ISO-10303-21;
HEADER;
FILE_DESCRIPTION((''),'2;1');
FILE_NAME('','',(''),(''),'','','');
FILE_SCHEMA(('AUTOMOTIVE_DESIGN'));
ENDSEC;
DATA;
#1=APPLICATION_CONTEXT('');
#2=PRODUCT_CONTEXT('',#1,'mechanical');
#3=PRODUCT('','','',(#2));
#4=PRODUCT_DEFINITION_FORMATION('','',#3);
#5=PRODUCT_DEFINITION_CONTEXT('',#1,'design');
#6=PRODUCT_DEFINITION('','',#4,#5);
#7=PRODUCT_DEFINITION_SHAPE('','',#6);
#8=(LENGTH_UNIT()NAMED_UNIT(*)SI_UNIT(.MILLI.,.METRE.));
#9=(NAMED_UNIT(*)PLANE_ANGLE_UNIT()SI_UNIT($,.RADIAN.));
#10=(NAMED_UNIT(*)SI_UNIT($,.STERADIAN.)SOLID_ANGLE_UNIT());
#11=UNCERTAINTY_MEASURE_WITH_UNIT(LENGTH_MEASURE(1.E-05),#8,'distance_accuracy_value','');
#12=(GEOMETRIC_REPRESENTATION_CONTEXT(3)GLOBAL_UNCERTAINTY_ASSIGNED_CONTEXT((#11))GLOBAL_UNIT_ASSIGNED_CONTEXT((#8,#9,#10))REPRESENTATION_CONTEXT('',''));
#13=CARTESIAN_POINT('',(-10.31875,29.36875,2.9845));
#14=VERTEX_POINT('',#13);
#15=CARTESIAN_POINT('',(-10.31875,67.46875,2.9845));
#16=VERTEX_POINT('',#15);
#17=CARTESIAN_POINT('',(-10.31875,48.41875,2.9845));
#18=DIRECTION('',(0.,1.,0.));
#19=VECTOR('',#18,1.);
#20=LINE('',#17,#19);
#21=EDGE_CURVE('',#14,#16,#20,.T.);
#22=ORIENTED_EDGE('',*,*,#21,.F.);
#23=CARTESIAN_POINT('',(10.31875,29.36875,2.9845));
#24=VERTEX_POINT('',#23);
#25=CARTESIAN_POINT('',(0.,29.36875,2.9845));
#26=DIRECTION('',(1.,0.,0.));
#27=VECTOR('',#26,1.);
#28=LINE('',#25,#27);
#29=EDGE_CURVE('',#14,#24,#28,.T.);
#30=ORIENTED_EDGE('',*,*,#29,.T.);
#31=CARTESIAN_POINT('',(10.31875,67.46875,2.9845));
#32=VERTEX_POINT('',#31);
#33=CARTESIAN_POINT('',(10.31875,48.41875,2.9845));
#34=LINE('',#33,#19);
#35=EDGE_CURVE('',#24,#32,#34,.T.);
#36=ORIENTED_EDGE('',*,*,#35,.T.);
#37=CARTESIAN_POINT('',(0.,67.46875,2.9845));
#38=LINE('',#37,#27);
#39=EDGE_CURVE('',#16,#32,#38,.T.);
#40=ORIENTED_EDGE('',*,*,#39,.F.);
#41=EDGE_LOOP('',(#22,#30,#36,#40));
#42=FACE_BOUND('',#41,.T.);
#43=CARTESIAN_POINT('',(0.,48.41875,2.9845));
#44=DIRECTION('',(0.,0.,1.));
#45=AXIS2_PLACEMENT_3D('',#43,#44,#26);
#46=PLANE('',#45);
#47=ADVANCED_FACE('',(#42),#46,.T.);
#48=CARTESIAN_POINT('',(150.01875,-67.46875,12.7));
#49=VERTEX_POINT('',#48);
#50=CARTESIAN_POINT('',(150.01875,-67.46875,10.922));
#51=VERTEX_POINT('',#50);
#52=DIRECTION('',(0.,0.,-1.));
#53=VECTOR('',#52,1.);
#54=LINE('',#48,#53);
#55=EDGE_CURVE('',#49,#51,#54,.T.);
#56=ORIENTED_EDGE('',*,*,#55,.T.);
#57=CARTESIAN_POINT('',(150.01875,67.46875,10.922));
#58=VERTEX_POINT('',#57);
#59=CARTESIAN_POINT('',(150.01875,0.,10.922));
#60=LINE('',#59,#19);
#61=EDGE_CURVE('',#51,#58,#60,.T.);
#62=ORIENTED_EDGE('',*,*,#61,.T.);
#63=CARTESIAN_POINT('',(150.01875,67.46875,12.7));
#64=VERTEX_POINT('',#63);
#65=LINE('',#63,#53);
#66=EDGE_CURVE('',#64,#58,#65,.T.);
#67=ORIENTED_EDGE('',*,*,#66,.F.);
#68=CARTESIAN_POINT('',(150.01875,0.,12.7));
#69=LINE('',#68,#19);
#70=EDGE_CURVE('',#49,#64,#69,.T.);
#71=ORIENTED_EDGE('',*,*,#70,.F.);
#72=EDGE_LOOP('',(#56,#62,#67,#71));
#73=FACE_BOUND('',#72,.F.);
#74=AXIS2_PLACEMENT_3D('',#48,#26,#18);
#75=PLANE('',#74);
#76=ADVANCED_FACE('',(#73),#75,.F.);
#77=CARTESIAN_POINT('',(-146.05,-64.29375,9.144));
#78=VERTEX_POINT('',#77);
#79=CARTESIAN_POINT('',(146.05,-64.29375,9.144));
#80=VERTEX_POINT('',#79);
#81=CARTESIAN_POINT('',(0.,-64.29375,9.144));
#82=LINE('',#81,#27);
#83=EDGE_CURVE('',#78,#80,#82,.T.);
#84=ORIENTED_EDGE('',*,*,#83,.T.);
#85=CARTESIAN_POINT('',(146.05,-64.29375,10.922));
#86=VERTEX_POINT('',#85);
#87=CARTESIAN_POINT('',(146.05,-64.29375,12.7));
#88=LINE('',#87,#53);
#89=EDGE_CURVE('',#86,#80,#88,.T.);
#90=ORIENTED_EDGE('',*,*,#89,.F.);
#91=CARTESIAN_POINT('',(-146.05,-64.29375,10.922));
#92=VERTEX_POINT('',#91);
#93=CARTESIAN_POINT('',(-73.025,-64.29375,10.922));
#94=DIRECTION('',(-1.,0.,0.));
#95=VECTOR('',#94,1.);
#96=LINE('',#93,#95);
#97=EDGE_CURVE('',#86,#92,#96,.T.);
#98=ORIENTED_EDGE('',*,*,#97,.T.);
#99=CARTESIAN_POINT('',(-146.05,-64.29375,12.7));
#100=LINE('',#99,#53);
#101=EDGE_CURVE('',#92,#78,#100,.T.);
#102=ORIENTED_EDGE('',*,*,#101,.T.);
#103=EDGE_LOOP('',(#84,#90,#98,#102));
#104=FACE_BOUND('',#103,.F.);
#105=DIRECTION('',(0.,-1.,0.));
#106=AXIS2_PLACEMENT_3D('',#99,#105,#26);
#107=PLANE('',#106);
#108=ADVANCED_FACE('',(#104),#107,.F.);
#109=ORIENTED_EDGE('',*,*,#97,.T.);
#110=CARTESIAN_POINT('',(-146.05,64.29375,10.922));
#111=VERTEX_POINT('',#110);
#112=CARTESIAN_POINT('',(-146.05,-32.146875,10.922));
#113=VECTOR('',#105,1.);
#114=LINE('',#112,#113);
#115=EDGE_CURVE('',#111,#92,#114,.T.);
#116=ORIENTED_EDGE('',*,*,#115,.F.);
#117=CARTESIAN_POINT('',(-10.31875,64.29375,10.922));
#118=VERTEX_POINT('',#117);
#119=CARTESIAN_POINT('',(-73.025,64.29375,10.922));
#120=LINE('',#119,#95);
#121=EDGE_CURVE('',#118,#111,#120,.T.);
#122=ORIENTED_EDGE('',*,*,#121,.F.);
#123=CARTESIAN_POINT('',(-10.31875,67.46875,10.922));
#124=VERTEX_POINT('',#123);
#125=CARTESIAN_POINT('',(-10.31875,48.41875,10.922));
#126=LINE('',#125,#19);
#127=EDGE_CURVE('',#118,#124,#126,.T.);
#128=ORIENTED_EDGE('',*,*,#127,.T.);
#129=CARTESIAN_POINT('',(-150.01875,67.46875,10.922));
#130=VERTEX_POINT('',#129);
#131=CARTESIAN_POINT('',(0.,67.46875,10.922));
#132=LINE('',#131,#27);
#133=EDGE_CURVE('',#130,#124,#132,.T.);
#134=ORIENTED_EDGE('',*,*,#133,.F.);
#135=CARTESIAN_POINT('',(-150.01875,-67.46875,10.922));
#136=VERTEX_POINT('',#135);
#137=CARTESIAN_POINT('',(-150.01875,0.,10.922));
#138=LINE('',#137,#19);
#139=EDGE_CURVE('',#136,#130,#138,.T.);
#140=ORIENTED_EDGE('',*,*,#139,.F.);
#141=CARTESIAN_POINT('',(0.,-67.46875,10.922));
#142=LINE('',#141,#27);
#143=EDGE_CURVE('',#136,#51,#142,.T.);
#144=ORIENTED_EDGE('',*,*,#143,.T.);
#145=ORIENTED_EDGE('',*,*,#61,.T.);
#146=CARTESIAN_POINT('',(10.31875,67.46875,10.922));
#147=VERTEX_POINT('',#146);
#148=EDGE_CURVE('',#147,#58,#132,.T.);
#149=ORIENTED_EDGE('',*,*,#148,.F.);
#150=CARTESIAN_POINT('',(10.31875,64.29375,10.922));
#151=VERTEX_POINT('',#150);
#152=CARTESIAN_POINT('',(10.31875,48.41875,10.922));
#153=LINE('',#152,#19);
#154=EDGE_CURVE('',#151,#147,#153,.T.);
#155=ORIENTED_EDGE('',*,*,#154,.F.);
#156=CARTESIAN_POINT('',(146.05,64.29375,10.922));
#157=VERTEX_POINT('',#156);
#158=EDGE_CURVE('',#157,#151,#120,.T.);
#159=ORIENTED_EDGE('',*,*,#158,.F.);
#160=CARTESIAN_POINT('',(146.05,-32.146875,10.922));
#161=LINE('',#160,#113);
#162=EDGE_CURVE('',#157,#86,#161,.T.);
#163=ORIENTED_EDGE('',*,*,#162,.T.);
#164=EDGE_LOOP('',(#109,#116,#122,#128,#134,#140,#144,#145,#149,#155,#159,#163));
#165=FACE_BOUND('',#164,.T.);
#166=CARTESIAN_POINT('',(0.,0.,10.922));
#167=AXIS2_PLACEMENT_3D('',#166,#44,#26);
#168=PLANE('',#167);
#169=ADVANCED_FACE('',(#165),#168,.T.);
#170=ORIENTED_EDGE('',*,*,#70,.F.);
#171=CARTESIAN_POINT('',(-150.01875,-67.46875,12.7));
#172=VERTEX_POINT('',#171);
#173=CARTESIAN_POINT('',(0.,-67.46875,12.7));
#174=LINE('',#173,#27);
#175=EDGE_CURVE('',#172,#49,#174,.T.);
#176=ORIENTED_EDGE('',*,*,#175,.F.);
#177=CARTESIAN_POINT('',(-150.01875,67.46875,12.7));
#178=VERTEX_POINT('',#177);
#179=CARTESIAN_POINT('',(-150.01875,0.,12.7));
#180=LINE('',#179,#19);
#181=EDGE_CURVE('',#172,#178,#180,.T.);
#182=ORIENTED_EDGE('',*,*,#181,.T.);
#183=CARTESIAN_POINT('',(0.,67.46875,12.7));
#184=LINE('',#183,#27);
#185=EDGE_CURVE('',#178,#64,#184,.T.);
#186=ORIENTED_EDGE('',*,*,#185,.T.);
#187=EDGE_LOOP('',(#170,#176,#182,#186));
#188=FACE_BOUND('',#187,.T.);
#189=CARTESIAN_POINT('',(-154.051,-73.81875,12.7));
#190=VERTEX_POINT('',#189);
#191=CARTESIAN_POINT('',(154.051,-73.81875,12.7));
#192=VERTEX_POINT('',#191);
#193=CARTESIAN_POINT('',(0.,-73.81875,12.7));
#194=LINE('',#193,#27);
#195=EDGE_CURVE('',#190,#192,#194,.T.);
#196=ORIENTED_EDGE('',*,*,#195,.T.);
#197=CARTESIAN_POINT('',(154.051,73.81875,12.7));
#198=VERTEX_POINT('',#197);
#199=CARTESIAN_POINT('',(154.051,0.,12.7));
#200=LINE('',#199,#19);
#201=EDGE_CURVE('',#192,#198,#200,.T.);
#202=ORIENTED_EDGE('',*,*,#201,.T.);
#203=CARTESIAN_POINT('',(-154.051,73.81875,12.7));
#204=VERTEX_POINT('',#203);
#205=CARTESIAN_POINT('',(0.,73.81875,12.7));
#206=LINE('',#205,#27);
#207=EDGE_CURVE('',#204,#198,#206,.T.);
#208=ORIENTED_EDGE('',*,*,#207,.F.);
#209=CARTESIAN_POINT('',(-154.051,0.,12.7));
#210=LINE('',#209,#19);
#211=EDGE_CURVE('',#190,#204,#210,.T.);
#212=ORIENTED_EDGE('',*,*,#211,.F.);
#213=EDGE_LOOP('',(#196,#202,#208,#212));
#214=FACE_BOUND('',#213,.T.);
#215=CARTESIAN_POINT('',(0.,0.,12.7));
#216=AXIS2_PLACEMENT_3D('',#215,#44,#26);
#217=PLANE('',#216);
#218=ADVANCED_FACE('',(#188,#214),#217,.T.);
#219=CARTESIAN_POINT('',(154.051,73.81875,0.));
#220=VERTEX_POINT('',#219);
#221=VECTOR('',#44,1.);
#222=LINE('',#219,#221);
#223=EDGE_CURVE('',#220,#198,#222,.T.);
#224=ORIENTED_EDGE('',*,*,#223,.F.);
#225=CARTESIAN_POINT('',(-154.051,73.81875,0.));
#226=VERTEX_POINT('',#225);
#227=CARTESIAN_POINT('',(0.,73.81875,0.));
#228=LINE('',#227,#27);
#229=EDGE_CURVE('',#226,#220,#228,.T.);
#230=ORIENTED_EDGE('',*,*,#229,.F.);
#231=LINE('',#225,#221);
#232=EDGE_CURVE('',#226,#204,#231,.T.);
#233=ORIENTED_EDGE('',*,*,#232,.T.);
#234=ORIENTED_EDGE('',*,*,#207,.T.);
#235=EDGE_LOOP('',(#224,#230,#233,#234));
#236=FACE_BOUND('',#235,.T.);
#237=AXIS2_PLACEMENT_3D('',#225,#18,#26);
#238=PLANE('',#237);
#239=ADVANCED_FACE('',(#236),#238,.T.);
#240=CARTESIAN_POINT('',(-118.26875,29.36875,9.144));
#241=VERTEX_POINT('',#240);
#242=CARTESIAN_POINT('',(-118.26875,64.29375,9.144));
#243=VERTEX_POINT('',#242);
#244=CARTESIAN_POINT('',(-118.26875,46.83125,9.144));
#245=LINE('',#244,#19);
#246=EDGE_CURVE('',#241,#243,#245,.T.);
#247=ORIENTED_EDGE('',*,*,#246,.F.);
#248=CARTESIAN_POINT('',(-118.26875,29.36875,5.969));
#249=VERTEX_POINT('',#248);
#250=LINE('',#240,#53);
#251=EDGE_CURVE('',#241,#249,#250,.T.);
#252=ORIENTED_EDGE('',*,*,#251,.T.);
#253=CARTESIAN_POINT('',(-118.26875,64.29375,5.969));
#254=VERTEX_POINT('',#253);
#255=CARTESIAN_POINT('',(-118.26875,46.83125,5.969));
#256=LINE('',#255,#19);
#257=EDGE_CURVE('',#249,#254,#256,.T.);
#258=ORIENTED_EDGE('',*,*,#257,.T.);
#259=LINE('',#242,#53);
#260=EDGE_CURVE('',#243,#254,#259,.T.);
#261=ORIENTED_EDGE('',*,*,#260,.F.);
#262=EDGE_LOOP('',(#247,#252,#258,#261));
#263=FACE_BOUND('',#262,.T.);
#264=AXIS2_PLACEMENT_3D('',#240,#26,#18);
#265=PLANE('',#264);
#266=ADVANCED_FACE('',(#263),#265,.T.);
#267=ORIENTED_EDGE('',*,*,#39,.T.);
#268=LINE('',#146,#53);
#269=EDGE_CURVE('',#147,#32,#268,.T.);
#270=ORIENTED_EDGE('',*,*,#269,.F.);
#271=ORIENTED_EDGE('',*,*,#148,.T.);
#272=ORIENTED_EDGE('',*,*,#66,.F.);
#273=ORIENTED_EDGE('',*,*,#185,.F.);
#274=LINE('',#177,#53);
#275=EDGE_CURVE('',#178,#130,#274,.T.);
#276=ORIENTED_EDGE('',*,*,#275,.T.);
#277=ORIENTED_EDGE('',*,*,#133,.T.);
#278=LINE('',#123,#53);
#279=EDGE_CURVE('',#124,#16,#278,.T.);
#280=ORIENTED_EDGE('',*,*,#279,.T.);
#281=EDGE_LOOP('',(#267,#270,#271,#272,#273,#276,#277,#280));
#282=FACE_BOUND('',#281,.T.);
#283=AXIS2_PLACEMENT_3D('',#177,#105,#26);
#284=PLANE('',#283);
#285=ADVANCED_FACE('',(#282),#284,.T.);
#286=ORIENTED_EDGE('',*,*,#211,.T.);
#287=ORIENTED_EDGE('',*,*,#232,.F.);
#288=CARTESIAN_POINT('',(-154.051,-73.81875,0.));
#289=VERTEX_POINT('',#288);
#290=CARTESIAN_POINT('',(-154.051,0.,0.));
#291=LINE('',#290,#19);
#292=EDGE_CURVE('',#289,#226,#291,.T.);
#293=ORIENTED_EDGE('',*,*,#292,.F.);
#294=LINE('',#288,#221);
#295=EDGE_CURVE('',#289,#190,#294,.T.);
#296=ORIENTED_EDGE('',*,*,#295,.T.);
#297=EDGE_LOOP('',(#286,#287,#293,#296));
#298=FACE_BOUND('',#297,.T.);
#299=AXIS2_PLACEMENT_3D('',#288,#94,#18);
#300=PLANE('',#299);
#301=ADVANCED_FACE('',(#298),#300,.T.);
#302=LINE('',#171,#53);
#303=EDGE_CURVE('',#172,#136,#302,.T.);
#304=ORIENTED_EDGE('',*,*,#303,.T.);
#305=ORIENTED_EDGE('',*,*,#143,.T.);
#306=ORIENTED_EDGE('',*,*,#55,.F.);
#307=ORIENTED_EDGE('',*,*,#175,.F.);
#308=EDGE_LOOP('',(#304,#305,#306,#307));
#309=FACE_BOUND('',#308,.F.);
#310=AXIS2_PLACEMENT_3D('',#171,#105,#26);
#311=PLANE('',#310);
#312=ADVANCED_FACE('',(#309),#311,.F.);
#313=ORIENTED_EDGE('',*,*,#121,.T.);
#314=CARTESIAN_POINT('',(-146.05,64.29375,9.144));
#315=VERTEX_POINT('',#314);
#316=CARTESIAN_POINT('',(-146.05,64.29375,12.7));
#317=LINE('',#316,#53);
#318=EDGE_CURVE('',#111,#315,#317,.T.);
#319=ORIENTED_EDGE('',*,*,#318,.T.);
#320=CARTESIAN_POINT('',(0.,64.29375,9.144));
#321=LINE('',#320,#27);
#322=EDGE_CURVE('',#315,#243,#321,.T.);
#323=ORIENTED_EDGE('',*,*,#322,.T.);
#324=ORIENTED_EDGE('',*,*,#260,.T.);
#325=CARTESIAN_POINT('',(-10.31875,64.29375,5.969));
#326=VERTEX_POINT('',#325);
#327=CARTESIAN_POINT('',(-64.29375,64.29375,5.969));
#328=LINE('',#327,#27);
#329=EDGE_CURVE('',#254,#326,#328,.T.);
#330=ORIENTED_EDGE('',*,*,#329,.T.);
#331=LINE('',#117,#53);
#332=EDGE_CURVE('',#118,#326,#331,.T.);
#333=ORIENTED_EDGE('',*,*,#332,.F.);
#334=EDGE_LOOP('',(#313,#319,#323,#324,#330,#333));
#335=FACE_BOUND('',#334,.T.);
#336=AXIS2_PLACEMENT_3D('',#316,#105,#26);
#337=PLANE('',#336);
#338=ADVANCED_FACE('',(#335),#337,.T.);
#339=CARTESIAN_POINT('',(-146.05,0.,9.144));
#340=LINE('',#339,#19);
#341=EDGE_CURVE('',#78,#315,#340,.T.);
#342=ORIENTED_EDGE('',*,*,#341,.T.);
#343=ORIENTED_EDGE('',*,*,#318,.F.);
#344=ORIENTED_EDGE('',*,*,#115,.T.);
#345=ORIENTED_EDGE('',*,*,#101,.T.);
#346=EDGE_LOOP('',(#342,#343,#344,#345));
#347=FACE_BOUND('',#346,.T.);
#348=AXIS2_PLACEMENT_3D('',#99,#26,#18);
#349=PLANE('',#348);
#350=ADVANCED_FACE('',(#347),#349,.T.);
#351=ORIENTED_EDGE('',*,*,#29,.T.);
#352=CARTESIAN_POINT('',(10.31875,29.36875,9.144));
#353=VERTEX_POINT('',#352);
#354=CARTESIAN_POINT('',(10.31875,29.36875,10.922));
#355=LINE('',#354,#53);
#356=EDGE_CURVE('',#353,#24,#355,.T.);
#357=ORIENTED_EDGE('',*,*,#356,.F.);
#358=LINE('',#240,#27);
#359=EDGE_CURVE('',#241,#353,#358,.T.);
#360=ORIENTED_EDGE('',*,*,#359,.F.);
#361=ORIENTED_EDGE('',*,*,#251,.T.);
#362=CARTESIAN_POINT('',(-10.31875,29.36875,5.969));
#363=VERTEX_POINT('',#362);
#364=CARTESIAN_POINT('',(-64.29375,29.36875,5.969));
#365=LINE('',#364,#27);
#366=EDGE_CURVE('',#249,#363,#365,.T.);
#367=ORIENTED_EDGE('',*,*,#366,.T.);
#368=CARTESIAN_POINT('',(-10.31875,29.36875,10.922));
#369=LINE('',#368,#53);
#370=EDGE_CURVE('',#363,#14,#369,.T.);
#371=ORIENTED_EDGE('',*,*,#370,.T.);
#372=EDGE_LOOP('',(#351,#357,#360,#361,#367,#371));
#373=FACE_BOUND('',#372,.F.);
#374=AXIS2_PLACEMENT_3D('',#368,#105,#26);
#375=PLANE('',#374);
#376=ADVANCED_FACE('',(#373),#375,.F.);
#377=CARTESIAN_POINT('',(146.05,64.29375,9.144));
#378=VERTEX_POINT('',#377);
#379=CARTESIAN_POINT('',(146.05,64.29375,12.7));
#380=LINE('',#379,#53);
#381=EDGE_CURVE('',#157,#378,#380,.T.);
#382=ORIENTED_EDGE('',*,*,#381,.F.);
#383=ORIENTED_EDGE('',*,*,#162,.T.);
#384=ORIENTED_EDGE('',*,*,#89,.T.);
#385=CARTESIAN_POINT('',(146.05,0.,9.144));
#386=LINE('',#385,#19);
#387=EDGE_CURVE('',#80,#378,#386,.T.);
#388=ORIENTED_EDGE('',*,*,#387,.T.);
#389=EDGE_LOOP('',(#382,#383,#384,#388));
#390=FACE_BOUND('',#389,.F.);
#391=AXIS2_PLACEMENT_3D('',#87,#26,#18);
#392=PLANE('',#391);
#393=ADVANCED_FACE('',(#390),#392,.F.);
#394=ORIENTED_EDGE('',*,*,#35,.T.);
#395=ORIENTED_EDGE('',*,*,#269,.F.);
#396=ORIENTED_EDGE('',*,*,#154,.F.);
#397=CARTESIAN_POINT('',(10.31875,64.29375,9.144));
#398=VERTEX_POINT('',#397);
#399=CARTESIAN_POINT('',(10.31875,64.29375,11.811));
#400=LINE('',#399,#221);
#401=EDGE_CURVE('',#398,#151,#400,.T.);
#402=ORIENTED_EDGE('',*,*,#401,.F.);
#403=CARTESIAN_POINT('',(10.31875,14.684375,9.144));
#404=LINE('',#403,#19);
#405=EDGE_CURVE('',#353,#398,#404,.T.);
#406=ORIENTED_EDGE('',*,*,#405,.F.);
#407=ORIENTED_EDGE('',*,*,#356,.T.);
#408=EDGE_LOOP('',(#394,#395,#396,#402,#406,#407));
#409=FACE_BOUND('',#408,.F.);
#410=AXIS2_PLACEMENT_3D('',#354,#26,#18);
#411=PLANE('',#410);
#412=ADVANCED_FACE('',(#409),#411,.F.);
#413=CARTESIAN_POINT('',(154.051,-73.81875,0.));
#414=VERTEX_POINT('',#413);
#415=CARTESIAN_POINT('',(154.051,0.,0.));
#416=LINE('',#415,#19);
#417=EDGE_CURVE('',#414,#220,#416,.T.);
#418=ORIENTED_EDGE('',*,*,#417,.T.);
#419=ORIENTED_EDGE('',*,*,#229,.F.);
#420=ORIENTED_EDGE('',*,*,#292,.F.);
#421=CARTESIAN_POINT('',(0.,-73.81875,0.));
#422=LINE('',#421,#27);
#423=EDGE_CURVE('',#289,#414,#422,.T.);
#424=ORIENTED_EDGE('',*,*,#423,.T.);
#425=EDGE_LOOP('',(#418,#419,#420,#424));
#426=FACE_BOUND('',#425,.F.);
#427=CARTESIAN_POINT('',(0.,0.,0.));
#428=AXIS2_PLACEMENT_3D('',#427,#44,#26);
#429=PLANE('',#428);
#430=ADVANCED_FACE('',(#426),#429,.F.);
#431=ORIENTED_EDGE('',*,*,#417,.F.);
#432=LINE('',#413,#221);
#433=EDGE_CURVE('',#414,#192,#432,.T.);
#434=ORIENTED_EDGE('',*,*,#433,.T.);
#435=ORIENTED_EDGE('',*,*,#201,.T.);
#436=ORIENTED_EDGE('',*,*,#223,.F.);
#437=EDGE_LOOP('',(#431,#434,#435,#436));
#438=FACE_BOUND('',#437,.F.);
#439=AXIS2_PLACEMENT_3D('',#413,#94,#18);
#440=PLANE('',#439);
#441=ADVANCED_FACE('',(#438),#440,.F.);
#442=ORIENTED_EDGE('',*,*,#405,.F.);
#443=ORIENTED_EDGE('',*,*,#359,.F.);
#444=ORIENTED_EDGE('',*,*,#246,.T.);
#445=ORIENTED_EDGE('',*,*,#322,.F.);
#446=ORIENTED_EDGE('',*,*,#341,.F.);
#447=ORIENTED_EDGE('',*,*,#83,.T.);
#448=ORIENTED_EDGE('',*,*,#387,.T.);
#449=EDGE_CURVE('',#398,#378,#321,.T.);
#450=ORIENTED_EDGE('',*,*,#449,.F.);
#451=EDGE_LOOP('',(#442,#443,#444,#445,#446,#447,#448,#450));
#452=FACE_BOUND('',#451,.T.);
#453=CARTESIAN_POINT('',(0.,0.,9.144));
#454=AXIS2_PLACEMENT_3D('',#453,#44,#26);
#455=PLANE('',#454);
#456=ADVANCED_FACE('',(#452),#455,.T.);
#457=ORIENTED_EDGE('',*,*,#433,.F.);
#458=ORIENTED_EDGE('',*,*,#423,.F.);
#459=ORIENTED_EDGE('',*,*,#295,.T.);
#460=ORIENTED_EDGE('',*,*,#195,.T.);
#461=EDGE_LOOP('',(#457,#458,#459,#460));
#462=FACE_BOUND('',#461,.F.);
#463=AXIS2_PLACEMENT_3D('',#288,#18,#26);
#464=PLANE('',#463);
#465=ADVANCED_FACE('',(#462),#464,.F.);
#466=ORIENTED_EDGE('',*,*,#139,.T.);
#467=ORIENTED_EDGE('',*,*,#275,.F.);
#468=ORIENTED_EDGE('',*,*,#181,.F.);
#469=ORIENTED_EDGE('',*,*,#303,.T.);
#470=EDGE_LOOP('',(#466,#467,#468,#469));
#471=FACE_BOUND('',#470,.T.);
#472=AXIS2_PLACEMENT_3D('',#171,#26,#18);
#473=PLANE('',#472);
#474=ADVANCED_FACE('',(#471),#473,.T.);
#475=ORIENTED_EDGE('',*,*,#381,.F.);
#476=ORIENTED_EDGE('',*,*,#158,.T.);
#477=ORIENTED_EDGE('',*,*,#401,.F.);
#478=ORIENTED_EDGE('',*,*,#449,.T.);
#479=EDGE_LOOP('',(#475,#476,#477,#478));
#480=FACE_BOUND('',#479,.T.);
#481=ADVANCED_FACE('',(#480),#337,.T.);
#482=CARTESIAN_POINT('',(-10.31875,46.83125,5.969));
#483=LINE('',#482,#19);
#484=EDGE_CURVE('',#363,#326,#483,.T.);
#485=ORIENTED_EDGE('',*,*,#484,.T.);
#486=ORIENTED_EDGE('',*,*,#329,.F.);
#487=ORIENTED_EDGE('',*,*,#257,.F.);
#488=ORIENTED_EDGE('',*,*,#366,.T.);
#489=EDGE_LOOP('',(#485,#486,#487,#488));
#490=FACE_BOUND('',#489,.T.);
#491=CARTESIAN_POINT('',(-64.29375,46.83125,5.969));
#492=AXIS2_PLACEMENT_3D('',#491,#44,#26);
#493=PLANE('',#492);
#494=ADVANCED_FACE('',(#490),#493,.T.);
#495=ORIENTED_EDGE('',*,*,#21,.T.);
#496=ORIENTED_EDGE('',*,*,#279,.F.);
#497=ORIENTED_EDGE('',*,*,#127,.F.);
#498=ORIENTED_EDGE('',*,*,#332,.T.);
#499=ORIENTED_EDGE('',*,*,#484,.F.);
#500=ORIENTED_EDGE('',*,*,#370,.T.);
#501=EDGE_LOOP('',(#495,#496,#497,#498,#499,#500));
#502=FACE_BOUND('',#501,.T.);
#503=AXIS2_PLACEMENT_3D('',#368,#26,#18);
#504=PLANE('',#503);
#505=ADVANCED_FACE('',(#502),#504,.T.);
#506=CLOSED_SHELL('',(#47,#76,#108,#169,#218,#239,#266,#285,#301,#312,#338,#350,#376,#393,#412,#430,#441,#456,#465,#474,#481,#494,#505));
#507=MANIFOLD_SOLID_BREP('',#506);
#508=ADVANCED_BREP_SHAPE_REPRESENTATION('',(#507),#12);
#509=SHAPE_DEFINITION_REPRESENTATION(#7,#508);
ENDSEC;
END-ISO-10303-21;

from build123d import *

# Parameters (mm, degrees)
SKETCH001_W     = 308.102
SKETCH001_H     = 147.6375
PAD_DEPTH       = 12.7
SKETCH002_W     = 292.1
SKETCH002_H     = 128.5875
POCKET_DEPTH    = 3.556
SKETCH_W        = 300.0375
SKETCH_H        = 134.9375
POCKET001_DEPTH = 1.778
SKETCH003_W     = 20.6375
SKETCH003_H     = 38.1
POCKET002_DEPTH = 7.9375
SKETCH004_W     = 107.95
SKETCH004_H     = 34.925
POCKET003_DEPTH = 3.175


with BuildPart() as part:
    # Sketch001 → Pad (new body)
    with BuildSketch(Plane.XY):
        Rectangle(SKETCH001_W, SKETCH001_H)
    extrude(amount=PAD_DEPTH)

    # Sketch002 → Pocket (cut)
    with BuildSketch(Plane.XY.offset(12.7)):
        Rectangle(SKETCH002_W, SKETCH002_H)
    extrude(amount=-POCKET_DEPTH, mode=Mode.SUBTRACT)

    # Sketch → Pocket001 (cut)
    with BuildSketch(Plane.XY.offset(12.7)):
        Rectangle(SKETCH_W, SKETCH_H)
    extrude(amount=-POCKET001_DEPTH, mode=Mode.SUBTRACT)

    # Sketch003 → Pocket002 (cut)
    with BuildSketch(Plane.XY.offset(10.922)):
        with Locations((0, 48.41875)):
            Rectangle(SKETCH003_W, SKETCH003_H)
    extrude(amount=-POCKET002_DEPTH, mode=Mode.SUBTRACT)

    # Sketch004 → Pocket003 (cut)
    with BuildSketch(Plane.XY.offset(9.144)):
        with Locations((-64.29375, 46.83125)):
            Rectangle(SKETCH004_W, SKETCH004_H)
    extrude(amount=-POCKET003_DEPTH, mode=Mode.SUBTRACT)


solid = part.part
